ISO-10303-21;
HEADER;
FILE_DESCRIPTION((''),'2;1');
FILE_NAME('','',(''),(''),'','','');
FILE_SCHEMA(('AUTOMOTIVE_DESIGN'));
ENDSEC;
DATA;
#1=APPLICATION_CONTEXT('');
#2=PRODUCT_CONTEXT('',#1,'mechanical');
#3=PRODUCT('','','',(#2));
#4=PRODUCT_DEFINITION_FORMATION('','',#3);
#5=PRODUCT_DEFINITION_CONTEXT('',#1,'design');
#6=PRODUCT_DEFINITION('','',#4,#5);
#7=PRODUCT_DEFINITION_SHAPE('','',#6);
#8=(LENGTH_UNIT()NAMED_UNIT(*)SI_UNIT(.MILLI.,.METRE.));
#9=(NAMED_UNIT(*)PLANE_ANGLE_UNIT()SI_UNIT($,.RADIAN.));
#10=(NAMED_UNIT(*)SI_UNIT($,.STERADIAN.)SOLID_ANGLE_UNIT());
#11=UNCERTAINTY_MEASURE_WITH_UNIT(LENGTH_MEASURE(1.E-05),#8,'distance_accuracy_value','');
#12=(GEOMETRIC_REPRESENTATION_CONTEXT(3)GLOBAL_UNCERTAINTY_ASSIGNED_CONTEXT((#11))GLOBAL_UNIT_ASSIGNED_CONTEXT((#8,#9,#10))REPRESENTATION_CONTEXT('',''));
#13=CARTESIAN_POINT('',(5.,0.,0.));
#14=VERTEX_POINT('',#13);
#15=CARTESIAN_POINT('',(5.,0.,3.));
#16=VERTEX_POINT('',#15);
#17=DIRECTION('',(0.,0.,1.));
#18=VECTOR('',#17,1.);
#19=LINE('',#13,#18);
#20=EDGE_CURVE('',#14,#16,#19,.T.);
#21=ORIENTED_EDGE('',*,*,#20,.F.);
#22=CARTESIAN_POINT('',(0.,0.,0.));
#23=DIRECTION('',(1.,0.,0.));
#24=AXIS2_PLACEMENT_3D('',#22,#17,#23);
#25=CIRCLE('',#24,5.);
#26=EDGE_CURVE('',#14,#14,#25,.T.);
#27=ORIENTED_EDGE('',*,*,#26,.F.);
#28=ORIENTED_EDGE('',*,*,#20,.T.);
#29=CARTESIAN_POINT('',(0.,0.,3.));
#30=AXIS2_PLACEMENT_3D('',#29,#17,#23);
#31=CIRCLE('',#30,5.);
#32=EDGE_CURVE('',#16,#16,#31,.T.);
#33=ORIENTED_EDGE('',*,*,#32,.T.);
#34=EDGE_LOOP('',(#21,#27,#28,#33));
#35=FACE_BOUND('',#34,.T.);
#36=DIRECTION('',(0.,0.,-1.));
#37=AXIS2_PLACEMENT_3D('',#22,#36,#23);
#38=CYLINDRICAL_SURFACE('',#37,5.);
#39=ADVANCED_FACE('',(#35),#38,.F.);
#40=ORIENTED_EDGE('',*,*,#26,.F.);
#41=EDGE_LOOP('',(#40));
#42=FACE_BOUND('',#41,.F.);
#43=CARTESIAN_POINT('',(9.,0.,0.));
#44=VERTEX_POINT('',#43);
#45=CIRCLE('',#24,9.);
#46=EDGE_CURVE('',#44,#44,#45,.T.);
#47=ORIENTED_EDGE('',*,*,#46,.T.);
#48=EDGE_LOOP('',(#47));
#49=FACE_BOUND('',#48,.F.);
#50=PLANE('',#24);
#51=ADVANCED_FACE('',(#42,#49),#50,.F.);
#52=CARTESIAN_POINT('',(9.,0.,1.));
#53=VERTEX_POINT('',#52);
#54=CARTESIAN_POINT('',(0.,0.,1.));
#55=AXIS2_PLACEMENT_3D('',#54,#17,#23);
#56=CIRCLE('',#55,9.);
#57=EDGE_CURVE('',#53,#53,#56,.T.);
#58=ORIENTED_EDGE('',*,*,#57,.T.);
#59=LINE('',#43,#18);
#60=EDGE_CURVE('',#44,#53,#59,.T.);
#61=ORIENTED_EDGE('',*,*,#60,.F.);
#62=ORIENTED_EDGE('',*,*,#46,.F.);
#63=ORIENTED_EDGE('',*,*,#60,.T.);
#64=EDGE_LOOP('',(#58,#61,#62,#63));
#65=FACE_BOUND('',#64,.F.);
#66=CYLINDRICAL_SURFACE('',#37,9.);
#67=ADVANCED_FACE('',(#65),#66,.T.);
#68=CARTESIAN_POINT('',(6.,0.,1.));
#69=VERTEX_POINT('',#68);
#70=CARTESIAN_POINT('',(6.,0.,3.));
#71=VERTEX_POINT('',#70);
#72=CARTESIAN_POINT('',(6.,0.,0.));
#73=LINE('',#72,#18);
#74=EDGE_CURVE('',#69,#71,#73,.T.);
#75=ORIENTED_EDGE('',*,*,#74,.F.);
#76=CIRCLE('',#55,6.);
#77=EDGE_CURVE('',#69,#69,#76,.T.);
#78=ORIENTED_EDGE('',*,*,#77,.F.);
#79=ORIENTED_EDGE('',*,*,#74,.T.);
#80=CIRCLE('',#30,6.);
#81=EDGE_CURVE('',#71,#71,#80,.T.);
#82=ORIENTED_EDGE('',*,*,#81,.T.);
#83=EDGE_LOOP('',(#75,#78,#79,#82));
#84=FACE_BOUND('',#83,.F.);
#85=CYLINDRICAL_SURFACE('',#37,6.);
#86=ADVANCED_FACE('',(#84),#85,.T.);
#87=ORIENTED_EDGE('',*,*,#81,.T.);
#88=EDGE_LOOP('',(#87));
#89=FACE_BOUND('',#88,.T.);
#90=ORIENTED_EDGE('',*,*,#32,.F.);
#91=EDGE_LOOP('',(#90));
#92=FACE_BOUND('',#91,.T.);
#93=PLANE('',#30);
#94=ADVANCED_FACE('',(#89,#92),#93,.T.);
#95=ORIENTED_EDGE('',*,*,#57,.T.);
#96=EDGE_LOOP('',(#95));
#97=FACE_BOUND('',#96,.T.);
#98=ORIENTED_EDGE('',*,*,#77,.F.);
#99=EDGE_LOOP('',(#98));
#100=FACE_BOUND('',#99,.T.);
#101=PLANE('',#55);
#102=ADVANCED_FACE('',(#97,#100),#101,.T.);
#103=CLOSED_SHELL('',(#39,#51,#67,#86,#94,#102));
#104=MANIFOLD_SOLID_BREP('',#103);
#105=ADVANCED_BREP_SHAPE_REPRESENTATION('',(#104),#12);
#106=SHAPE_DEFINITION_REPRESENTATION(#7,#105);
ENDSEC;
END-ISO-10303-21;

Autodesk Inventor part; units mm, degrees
ref_plane "YZ Plane" through (0, 0, 0) normal (1, 0, 0) x (0, 1, 0)
ref_plane "XZ Plane" through (0, 0, 0) normal (0, 1, 0) x (-1, 0, 0)
ref_plane "XY Plane" through (0, 0, 0) normal (0, 0, 1) x (1, 0, 0)
sketch "スケッチ1" plane through (0, 0, 0) normal (0, 0, 1) x (1, 0, 0)
  circle A0 centre (0, 0) radius 5
  circle A1 centre (0, 0) radius 6
  circle A2 centre (0, 0) radius 9
  dimension "d0" = 10
  dimension "d1" = 12
  dimension "d2" = 18
extrude "押し出し1" add sketch "スケッチ1" along normal blind 1 contours A2
extrude "押し出し2" add sketch "スケッチ1" along normal blind 3 contours A1
properties part number "オイレスドライメットFd10D12L3" material "アセタール樹脂、黒"
